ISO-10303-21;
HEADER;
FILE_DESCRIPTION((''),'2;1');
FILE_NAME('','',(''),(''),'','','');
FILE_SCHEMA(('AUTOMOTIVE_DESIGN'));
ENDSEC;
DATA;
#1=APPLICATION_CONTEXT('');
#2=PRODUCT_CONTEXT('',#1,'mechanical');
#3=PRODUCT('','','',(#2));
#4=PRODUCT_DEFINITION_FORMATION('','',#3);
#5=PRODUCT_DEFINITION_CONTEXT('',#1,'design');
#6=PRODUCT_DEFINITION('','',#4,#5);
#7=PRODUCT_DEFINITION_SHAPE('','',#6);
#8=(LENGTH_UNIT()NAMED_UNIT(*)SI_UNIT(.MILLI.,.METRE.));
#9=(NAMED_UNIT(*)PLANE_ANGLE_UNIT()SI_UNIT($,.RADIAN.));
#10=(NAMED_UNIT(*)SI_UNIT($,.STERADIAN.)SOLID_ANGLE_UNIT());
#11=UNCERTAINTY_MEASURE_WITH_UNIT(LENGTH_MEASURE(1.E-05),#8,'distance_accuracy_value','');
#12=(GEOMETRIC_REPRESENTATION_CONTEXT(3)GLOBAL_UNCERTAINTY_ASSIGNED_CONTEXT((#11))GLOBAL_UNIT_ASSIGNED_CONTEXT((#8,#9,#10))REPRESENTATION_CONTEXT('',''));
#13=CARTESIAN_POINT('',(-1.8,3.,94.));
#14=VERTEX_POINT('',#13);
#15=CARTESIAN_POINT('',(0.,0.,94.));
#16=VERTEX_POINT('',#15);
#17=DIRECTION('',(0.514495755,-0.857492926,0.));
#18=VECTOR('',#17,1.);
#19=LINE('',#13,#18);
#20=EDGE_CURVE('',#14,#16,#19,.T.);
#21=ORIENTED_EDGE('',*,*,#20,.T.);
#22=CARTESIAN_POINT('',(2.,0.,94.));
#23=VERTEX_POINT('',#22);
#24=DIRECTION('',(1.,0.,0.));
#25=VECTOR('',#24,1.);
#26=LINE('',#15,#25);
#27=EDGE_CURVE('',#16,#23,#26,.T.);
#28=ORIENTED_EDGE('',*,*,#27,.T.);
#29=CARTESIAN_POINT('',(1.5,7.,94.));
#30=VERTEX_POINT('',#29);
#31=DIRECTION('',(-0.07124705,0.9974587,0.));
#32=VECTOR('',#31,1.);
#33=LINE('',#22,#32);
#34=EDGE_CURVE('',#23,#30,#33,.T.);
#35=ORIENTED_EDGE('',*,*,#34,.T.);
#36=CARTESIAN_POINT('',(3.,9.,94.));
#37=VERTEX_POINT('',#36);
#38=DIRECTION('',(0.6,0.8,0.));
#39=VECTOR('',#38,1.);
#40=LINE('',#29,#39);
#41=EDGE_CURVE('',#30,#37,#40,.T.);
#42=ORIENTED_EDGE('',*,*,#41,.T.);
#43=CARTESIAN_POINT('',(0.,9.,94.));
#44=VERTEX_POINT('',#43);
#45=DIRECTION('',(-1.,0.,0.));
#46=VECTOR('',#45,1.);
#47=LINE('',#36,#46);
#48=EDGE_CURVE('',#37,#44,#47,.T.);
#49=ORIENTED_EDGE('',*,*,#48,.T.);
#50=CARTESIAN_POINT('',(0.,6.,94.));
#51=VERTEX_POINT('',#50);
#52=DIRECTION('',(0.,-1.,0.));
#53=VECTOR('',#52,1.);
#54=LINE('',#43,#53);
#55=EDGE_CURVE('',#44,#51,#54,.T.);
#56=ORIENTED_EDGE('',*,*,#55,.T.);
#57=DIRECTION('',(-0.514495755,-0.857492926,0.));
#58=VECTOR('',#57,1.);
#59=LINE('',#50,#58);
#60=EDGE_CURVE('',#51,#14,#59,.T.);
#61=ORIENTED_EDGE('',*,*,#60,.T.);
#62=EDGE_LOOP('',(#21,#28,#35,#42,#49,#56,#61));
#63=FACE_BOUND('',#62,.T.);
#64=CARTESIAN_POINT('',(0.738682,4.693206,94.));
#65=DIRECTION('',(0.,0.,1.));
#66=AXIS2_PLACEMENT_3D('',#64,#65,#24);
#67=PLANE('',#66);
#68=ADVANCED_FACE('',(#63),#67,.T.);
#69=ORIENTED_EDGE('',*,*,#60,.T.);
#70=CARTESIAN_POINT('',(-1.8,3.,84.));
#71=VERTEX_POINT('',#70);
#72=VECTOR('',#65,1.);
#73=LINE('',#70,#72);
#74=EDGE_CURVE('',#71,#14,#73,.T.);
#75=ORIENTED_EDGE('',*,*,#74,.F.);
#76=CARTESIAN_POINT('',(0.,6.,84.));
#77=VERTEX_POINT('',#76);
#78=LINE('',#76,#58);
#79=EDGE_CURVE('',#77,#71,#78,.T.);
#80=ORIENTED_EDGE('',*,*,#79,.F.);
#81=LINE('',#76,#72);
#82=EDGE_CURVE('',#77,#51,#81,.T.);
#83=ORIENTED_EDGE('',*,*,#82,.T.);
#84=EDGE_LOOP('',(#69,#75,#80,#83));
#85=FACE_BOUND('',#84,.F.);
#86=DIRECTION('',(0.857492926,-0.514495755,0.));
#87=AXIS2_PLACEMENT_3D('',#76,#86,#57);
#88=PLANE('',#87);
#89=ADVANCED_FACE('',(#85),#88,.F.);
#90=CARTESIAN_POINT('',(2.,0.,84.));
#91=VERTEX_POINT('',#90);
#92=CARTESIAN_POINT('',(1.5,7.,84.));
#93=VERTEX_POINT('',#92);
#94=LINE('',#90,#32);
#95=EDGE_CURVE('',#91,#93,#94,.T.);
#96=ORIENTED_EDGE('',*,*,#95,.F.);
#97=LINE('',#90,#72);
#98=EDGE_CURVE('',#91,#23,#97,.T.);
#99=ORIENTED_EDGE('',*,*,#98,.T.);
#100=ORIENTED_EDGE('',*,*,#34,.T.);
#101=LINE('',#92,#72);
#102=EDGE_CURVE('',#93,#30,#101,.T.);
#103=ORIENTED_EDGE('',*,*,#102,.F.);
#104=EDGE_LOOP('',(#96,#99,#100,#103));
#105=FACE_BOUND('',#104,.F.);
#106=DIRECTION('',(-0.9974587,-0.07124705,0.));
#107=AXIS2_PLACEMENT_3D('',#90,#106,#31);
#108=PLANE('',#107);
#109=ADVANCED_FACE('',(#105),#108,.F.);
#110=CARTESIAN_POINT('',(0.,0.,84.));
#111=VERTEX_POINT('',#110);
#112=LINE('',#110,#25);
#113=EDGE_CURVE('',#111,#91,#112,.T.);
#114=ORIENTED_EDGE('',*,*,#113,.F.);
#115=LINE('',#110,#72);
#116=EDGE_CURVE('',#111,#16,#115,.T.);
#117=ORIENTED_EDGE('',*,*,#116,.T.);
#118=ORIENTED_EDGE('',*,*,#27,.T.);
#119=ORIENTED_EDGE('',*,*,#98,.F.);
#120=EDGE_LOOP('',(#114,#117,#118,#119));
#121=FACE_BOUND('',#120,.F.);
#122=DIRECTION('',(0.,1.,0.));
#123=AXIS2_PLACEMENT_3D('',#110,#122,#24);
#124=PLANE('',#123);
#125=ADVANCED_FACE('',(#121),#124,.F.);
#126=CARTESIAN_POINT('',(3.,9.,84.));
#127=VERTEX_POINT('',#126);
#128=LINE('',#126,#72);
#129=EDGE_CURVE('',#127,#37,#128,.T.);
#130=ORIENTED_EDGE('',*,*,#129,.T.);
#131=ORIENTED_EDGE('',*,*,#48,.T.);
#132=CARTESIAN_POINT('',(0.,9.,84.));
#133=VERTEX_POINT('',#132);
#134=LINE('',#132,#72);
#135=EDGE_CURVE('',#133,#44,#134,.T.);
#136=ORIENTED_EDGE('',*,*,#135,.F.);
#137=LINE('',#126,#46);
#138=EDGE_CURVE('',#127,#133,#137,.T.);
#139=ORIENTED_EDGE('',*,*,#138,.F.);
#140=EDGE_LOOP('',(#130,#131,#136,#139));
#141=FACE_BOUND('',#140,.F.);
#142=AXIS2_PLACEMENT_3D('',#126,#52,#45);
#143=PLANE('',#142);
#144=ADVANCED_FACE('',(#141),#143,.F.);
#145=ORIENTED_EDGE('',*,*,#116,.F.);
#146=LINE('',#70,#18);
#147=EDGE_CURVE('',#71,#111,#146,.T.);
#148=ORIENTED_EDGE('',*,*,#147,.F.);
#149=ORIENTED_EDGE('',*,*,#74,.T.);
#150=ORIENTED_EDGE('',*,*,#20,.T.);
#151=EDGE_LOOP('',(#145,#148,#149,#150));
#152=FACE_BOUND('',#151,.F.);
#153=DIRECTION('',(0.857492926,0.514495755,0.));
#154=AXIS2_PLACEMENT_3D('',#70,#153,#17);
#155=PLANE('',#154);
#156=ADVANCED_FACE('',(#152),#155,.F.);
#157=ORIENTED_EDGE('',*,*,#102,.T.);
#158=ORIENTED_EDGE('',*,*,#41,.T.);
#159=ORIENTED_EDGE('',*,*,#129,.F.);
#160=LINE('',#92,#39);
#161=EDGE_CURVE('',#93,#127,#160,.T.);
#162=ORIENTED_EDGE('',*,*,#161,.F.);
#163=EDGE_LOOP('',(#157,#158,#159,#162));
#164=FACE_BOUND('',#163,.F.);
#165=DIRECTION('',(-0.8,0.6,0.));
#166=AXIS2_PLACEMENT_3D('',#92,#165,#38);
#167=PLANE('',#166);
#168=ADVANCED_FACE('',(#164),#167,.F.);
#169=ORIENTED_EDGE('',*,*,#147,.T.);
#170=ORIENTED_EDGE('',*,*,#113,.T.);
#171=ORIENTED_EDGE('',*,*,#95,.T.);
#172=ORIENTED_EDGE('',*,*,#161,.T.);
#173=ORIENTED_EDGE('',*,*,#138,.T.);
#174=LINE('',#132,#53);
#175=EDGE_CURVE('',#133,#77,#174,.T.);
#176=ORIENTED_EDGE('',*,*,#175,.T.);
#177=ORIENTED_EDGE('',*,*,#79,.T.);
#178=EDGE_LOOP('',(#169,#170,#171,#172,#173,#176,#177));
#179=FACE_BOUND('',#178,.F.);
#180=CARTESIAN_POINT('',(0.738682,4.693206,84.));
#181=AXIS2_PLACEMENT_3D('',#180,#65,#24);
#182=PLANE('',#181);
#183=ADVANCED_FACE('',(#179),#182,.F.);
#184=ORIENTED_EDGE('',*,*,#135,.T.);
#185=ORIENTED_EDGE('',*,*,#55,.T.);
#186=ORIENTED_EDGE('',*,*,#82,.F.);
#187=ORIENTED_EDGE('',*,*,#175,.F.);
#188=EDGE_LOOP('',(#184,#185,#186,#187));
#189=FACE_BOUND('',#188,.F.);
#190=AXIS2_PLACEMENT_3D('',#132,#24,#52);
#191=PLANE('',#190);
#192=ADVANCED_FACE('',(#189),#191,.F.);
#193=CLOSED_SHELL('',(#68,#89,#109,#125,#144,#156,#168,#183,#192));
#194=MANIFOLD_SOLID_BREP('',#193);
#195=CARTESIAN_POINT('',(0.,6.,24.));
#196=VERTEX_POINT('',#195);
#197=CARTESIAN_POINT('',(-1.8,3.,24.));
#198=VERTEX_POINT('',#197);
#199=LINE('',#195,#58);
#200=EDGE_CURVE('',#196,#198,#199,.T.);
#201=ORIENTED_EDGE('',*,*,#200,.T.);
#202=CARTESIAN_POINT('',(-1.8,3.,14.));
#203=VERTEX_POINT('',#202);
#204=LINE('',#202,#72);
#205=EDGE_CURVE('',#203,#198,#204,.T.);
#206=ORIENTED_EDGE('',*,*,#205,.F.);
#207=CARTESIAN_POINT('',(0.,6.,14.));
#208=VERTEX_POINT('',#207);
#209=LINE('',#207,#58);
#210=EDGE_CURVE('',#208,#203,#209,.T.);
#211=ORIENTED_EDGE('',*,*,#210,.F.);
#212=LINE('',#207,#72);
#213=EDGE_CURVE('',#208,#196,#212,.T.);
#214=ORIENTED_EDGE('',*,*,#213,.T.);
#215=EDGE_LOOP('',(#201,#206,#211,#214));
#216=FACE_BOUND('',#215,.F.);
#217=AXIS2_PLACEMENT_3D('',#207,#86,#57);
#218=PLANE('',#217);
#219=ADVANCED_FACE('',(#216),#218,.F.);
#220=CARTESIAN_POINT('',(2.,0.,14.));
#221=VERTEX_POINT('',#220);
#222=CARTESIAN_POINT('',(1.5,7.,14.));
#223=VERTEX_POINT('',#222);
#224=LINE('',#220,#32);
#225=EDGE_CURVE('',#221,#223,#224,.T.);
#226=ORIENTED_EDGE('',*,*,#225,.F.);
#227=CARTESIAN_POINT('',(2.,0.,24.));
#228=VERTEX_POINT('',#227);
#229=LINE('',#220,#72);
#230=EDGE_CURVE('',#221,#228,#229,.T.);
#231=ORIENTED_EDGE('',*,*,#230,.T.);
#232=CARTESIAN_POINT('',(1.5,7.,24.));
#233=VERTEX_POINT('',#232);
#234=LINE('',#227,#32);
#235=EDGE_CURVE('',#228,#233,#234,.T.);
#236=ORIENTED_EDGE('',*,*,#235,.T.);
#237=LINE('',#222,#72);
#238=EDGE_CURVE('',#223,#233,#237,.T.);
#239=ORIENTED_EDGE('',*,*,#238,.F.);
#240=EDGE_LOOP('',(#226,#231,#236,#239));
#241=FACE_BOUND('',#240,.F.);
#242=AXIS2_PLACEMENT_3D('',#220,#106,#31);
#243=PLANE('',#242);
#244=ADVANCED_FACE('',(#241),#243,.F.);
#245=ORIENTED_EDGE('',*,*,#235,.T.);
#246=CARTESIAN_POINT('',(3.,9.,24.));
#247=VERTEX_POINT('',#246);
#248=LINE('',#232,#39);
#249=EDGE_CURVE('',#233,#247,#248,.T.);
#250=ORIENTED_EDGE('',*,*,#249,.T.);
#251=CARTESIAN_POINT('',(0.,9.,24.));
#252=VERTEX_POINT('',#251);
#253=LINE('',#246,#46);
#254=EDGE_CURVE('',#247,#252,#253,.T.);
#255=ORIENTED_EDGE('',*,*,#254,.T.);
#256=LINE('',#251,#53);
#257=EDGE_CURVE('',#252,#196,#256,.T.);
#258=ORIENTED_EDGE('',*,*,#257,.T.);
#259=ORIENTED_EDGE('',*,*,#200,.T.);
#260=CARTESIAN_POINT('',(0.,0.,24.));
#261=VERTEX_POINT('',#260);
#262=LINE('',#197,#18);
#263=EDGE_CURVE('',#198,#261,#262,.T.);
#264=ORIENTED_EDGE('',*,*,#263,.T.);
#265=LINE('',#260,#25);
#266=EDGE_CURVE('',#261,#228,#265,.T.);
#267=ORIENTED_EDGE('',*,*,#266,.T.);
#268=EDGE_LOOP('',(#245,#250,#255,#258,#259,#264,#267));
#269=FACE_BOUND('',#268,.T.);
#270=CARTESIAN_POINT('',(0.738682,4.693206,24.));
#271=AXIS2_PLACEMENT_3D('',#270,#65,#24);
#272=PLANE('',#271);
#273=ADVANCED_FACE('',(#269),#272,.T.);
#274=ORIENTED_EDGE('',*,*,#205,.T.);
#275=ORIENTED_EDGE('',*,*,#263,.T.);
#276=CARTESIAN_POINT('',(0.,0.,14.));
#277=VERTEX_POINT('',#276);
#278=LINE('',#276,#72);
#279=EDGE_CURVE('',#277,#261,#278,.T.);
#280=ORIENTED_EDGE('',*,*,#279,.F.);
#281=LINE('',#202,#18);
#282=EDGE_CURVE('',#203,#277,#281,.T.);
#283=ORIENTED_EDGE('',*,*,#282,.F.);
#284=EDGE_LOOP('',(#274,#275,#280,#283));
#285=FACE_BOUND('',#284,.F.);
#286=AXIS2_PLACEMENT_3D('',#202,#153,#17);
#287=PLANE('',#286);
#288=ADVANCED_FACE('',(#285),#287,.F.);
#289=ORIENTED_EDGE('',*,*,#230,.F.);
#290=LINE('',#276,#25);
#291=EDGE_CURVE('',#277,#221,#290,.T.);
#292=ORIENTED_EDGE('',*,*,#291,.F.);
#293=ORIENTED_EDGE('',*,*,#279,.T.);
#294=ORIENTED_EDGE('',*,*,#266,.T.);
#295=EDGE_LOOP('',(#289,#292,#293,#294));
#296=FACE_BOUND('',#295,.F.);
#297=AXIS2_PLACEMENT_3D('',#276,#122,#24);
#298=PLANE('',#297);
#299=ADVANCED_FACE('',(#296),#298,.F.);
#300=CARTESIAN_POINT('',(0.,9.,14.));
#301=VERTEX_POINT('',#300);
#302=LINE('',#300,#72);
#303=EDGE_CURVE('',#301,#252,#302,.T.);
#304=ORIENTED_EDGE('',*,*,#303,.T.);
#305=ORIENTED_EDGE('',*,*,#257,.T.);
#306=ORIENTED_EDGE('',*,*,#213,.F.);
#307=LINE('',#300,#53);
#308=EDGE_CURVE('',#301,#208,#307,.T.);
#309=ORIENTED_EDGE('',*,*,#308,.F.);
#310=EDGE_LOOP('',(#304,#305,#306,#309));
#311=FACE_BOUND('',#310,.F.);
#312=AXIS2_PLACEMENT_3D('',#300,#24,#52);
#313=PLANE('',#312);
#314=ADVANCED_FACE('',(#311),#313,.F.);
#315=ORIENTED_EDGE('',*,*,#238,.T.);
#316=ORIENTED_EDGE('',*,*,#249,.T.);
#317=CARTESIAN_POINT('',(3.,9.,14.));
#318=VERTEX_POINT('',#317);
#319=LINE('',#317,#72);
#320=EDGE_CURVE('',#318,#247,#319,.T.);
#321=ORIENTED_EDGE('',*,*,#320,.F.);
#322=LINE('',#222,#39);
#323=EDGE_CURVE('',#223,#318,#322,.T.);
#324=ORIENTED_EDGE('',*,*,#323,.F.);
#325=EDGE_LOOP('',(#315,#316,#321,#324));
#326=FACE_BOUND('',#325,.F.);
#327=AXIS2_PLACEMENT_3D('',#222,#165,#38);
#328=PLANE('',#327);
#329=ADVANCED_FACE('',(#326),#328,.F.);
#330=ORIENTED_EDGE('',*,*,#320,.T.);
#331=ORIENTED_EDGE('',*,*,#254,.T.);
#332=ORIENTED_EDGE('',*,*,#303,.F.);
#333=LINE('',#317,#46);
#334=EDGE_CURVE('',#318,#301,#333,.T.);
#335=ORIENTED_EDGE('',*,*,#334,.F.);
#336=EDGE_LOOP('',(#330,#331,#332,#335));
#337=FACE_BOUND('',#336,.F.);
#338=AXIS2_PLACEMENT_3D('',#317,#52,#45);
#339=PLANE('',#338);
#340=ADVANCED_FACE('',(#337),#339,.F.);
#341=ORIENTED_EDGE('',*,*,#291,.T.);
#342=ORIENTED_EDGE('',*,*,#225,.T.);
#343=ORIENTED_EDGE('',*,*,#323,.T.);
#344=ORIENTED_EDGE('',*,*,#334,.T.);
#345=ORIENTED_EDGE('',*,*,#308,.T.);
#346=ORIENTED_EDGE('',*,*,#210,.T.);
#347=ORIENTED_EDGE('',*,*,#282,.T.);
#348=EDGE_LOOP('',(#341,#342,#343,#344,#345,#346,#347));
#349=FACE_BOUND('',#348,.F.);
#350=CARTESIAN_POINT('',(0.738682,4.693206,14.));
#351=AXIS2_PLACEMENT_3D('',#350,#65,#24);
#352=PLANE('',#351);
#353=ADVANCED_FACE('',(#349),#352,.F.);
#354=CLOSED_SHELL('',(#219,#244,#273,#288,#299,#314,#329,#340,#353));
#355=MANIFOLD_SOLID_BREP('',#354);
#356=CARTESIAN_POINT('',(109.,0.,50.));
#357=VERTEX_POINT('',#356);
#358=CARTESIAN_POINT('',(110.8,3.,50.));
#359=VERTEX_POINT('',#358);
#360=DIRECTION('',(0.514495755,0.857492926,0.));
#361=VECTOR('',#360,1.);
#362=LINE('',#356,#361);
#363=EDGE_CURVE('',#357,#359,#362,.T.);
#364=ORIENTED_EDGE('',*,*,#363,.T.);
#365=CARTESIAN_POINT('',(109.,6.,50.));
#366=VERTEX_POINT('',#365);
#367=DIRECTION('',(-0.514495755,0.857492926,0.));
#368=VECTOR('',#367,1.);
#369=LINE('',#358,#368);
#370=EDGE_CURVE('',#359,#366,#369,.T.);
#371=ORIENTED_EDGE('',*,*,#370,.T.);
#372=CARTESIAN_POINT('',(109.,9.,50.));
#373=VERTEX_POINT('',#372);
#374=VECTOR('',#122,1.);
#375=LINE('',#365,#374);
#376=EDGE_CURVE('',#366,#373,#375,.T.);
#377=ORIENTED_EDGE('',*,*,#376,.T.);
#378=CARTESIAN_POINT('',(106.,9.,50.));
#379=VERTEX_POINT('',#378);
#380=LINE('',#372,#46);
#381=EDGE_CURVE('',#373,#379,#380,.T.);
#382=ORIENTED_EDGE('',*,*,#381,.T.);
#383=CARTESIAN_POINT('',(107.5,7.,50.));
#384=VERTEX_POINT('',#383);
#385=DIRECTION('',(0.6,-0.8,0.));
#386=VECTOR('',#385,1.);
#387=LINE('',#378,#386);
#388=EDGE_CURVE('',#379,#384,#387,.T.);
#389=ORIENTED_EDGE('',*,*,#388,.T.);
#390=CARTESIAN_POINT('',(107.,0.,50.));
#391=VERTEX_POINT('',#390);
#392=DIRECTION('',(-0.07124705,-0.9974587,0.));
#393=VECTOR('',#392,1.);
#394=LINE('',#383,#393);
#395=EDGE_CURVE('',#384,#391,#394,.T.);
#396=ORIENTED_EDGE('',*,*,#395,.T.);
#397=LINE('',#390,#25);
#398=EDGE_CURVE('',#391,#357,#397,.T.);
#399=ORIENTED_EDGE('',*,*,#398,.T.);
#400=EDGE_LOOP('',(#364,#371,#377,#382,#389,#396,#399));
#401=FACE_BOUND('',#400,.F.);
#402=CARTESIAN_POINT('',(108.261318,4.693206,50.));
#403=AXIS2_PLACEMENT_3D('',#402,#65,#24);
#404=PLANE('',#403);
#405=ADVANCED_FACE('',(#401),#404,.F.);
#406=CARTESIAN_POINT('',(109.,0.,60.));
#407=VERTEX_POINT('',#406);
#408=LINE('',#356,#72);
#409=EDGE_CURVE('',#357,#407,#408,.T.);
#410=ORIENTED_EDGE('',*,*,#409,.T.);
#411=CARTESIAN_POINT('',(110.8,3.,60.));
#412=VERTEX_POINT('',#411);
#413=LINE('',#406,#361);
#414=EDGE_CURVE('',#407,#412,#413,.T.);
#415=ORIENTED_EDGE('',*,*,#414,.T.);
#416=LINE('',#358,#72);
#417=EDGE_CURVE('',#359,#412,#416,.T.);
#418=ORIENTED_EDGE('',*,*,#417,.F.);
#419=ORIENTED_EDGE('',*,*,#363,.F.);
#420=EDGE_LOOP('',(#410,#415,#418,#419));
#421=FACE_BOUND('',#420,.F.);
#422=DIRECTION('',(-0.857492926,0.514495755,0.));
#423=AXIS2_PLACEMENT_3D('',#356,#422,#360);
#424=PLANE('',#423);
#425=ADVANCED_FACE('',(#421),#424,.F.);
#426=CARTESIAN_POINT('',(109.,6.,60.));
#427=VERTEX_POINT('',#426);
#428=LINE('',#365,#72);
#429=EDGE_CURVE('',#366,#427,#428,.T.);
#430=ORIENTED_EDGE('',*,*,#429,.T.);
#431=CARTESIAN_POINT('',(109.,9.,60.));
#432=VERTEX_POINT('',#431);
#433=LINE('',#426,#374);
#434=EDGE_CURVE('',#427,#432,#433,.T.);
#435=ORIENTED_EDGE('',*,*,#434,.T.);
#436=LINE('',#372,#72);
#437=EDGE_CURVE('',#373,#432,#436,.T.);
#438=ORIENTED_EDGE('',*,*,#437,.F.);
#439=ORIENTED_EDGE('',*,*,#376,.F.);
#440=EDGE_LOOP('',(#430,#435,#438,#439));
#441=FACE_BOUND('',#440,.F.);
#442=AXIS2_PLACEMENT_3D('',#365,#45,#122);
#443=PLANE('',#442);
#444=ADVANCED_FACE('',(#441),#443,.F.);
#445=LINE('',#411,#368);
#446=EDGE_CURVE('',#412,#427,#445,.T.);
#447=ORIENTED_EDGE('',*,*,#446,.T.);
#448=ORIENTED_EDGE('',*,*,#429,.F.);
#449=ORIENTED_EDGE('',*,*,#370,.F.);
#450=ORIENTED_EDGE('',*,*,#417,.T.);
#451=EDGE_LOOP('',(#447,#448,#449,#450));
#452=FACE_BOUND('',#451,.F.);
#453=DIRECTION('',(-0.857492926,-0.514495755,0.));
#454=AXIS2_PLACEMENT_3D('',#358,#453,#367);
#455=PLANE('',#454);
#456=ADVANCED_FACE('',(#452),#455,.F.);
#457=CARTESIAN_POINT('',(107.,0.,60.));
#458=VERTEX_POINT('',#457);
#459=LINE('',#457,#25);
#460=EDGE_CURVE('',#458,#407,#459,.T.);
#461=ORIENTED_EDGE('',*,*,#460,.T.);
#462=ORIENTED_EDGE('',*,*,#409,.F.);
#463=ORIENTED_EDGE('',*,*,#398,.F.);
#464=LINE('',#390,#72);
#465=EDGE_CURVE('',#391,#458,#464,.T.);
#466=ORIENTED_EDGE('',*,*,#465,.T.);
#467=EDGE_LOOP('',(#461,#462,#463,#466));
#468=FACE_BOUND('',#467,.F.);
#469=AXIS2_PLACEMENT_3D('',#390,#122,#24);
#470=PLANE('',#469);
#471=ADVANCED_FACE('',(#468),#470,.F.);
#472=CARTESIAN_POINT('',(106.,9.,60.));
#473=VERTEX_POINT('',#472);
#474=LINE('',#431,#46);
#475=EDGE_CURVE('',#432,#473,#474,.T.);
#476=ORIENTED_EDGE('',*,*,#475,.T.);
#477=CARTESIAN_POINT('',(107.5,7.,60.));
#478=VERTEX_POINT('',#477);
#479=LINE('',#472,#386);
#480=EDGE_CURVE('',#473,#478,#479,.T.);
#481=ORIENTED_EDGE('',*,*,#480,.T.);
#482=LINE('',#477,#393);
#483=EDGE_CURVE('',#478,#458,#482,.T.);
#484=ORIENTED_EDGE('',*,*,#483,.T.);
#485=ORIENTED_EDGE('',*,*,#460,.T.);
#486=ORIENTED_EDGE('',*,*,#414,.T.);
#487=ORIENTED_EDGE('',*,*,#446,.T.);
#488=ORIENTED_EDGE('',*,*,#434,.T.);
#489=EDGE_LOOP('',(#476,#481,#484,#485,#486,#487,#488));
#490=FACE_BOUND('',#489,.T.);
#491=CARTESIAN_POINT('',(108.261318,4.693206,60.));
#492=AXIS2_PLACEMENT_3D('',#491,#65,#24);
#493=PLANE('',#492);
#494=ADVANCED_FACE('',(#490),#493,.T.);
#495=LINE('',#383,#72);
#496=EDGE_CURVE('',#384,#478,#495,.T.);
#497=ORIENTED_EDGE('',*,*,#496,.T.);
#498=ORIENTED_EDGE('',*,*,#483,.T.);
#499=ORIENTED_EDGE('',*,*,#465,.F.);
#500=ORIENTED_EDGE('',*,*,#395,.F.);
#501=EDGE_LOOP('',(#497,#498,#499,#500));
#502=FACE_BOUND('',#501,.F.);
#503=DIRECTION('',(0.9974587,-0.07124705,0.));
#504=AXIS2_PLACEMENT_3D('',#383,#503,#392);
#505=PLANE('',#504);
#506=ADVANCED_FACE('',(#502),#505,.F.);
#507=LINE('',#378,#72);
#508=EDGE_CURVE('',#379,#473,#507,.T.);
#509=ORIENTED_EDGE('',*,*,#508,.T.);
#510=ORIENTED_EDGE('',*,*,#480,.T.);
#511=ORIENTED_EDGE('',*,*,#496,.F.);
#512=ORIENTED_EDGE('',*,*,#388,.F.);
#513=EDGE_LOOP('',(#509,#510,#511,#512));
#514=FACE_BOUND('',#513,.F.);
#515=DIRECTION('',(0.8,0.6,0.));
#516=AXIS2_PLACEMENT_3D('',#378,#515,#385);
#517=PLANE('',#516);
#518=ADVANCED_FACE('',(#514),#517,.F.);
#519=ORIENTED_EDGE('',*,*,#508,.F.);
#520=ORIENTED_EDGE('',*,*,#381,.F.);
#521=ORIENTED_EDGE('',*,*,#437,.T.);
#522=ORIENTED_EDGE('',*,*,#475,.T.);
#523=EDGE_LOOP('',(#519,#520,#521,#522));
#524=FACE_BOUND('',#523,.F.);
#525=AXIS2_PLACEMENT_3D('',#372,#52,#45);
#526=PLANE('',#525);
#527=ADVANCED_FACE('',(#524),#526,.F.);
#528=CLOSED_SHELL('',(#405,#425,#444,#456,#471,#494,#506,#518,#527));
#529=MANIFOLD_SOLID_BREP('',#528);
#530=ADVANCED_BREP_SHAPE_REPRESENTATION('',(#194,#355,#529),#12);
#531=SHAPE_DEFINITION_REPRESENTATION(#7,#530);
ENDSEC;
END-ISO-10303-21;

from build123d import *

# Parameters (mm, degrees)
PAD005_DEPTH = 10
PAD004_DEPTH = 10
PAD006_DEPTH = 10


with BuildPart() as snap2:
    # Sketch005 → Pad005 (new body)
    with BuildSketch(Plane.XY.offset(84)):
        Polygon((0, 9), (0, 6), (-1.8, 3), (0, 0), (2, 0), (1.5, 7), (3, 9), align=None)
    extrude(amount=PAD005_DEPTH)


with BuildPart() as fusion006:
    # Sketch004 → Pad004 (new body)
    with BuildSketch(Plane.XY.offset(14)):
        Polygon((0, 9), (0, 6), (-1.8, 3), (0, 0), (2, 0), (1.5, 7), (3, 9), align=None)
    extrude(amount=PAD004_DEPTH)

    # Fusion006: union Snap2
    add(snap2.part)


with BuildPart() as snaps:
    # Sketch006 → Pad006 (new body)
    with BuildSketch(Plane(origin=(-2, 0, 50), x_dir=(1, 0, 0), z_dir=(0, 0, 1))):
        Polygon((111, 0), (112.8, 3), (111, 6), (111, 9), (108, 9), (109.5, 7), (109, 0), align=None)
    extrude(amount=PAD006_DEPTH)

    # Fusion007: union Fusion006
    add(fusion006.part)


solid = snaps.part
